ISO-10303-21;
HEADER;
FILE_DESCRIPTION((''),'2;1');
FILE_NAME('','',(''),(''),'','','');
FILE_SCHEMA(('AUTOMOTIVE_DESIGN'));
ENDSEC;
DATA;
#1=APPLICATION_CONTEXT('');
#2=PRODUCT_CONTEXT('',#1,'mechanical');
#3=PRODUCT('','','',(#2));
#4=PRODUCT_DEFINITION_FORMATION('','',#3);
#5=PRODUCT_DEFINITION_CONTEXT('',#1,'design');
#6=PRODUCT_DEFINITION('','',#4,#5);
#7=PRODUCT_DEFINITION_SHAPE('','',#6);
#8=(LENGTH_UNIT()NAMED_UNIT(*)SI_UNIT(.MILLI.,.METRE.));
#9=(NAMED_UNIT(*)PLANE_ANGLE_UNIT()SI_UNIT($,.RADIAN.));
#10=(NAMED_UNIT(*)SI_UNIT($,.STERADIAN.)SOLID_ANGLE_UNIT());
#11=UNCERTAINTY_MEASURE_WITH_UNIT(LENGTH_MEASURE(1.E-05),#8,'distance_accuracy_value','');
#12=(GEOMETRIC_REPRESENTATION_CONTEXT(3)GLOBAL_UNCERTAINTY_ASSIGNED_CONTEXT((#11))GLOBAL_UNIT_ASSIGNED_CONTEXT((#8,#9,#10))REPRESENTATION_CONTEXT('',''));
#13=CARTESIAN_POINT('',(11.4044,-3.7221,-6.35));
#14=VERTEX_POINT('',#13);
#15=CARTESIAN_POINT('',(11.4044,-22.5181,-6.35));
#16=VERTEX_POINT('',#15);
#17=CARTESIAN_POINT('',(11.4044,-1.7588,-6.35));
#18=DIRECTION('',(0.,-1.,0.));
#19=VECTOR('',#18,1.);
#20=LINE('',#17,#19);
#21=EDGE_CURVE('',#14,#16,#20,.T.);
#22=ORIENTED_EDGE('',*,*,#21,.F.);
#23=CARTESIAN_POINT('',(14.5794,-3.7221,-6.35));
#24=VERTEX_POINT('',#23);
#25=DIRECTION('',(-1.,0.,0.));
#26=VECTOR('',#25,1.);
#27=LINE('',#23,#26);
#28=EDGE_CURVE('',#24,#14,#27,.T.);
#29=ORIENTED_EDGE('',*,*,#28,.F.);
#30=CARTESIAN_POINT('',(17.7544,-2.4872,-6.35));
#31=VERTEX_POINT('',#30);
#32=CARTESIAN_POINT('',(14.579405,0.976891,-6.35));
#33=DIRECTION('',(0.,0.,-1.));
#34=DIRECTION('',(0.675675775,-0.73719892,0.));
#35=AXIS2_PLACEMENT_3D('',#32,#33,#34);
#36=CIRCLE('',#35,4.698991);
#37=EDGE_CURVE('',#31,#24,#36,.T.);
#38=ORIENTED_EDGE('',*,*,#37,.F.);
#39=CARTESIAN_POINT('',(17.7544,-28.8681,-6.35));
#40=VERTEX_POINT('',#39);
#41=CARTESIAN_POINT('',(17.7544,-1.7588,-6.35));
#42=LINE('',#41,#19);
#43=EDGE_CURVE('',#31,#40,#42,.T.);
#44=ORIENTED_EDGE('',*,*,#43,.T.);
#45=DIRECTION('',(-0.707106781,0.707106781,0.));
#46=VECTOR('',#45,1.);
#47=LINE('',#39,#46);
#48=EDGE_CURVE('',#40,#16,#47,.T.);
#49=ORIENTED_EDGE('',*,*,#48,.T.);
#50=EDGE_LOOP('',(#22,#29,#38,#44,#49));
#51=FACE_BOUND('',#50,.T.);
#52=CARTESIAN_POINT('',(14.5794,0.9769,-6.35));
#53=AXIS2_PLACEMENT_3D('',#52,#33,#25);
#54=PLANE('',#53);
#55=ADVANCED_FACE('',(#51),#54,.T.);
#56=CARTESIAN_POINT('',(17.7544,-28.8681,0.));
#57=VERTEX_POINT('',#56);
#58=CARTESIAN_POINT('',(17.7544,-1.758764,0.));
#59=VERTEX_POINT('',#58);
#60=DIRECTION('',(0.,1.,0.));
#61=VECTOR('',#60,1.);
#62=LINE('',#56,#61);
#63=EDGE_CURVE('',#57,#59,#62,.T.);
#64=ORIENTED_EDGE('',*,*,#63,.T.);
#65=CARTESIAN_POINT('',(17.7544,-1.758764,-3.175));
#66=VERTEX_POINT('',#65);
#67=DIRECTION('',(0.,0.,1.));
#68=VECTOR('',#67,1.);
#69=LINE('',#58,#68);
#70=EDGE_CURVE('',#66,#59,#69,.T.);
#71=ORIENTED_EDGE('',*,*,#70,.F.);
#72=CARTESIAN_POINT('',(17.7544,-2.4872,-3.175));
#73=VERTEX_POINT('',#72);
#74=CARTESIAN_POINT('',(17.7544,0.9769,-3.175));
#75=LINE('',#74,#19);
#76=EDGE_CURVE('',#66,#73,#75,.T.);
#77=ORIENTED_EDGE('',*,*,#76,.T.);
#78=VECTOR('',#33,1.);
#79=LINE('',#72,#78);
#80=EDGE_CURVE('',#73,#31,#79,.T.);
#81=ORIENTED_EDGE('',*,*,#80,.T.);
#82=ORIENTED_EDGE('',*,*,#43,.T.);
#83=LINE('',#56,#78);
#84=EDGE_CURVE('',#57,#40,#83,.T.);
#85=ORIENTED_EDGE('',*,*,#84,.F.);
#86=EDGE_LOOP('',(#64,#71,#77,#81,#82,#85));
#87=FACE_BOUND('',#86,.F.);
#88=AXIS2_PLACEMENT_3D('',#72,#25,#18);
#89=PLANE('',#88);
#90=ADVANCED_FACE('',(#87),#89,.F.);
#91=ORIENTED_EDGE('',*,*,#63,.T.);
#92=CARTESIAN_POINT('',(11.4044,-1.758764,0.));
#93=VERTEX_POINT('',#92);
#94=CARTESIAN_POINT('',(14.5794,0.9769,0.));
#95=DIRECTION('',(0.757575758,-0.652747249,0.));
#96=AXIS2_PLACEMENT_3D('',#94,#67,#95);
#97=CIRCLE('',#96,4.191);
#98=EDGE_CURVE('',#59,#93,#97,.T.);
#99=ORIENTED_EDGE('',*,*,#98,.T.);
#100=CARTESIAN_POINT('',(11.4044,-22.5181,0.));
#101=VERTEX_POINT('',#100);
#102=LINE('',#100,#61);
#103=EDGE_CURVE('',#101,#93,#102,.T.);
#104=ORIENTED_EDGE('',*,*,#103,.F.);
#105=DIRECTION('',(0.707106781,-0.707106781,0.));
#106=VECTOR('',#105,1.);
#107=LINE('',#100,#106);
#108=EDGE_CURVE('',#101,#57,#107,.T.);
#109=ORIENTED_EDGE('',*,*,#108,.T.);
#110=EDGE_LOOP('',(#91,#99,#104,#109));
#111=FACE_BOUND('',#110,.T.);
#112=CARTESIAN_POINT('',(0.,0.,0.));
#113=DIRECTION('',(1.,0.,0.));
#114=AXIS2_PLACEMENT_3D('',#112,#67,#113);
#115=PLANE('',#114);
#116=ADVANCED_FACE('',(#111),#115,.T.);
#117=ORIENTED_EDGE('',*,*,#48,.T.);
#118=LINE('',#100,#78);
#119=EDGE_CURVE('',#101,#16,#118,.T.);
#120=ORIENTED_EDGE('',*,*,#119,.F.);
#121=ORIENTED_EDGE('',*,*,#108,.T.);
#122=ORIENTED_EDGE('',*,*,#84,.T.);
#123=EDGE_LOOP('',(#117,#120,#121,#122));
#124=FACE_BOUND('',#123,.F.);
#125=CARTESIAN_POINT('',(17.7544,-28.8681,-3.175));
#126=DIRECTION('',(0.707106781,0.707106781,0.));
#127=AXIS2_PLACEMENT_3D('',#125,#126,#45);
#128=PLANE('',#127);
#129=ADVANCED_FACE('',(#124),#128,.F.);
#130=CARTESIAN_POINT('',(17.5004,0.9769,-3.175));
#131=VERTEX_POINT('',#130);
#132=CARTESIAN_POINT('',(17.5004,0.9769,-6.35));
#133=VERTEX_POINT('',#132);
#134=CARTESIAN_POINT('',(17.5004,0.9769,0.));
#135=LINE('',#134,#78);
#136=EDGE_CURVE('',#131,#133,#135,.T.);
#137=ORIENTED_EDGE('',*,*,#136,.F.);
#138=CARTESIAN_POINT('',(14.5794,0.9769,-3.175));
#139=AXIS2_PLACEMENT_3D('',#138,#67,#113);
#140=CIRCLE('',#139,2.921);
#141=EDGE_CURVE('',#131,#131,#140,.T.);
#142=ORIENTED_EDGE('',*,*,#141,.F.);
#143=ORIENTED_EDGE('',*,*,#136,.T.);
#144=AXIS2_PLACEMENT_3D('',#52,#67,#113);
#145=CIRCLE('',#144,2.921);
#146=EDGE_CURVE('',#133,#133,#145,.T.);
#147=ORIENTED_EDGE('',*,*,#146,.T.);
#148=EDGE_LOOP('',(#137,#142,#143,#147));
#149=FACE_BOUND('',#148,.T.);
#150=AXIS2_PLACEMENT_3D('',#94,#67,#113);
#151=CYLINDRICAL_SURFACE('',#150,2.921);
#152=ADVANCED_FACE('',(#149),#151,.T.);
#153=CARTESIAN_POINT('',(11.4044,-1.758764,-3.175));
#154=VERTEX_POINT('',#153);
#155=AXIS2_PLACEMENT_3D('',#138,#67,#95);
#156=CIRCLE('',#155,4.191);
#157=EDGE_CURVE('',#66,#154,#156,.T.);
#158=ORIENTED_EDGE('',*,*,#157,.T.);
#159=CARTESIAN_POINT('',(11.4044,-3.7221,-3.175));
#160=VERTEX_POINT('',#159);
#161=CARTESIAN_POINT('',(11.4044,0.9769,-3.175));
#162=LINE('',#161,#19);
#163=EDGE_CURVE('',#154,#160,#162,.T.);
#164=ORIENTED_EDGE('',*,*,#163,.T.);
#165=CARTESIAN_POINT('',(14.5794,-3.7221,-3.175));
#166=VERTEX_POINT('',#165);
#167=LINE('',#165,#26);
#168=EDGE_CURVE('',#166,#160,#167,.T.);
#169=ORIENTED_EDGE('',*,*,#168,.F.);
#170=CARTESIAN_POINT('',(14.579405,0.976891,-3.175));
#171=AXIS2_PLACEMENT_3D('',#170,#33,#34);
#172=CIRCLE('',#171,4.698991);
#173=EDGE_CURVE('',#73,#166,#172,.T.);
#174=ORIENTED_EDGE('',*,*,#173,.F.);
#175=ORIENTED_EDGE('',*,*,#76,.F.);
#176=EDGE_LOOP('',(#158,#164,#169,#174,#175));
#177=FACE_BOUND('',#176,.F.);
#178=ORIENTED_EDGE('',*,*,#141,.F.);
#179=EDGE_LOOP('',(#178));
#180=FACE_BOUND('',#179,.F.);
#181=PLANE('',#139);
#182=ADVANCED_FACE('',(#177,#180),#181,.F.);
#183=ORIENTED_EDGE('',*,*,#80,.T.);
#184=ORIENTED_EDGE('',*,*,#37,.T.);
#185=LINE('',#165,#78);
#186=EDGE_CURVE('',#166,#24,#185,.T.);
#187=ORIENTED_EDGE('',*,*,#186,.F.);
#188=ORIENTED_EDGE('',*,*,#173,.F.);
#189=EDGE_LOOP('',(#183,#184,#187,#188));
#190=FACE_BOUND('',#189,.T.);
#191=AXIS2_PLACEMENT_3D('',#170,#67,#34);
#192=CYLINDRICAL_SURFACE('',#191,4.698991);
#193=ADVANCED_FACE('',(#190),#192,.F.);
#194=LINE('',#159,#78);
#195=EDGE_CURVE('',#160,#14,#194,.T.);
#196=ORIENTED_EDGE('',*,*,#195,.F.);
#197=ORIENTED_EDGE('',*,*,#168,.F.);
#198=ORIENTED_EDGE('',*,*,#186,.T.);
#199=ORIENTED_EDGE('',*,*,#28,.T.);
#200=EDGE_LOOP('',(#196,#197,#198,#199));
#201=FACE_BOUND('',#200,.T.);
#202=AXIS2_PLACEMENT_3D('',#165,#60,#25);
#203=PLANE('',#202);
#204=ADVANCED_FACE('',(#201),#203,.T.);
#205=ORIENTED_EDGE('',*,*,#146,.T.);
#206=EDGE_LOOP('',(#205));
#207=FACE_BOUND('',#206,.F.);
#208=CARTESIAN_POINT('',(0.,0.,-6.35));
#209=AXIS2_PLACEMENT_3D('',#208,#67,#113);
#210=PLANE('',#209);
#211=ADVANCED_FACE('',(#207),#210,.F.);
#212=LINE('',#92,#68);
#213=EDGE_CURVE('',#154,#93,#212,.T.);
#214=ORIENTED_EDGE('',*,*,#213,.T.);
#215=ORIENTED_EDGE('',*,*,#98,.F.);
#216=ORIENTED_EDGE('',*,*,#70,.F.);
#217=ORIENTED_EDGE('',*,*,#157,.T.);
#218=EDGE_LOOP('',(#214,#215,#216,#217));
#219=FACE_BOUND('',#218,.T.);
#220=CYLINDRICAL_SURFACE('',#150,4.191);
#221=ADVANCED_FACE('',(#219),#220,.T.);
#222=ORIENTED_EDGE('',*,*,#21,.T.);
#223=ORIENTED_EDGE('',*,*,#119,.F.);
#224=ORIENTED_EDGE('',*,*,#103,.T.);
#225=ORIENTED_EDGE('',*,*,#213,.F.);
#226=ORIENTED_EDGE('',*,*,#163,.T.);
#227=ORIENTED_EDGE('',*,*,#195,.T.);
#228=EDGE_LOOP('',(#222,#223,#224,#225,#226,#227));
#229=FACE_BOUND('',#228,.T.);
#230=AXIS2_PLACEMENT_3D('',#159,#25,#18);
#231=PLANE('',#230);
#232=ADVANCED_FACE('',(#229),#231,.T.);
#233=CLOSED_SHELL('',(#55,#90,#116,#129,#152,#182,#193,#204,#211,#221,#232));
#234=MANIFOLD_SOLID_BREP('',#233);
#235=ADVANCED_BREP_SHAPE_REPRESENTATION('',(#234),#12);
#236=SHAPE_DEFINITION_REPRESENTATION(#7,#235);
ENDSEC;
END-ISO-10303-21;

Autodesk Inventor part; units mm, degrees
ref_plane "YZ Plane" through (0, 0, 0) normal (1, 0, 0) x (0, 1, 0)
ref_plane "XZ Plane" through (0, 0, 0) normal (0, 1, 0) x (-1, 0, 0)
ref_plane "XY Plane" through (0, 0, 0) normal (0, 0, 1) x (1, 0, 0)
sketch "Sketch3" plane through (0, 0, 0) normal (0, 0, 1) x (1, 0, 0)
  circle A0 centre (14.5794, 0.9769) radius 3.175 projected
  arc A1 (14.5794, -3.4681) -> (19.0244, 0.9769) centre (14.5794, 0.9769) ccw projected
  line L0 (19.0244, 5.4219) -> (19.0244, 0.9769) projected
  line L1 (14.5794, 5.4219) -> (19.0244, 5.4219) projected
  arc A2 (14.5794, 5.4219) -> (10.1344, 0.9769) centre (14.5794, 0.9769) ccw projected
  line L2 (10.1344, -3.4681) -> (10.1344, 0.9769) projected
  line L3 (14.5794, -3.4681) -> (10.1344, -3.4681) projected
  circle A3 centre (14.5794, 0.9769) radius 2.921
  point P0 (0, 0)
  dimension "d3" = 5.842
extrude "Extrusion2" add sketch "Sketch3" against normal blind 6.35 contours A3
sketch "Sketch4" plane through (14.5794, 0.9769, 0) normal (0, 0, 1) x (1, 0, 0)
  circle A0 centre (0, 0) radius 4.191
  circle A1 centre (0, 0) radius 3.175 projected
  arc A2 (0, -4.445) -> (4.445, 0) centre (0, 0) ccw projected
  line L0 (4.445, 4.445) -> (4.445, 0) projected
  line L1 (0, 4.445) -> (4.445, 4.445) projected
  arc A3 (0, 4.445) -> (-4.445, 0) centre (0, 0) ccw projected
  line L2 (-4.445, -4.445) -> (-4.445, 0) projected
  line L3 (0, -4.445) -> (-4.445, -4.445) projected
  circle A4 centre (0, 0) radius 2.921 projected
  point P0 (-14.5794, -0.9769)
  dimension "d6" = 8.382
extrude "Extrusion3" add sketch "Sketch4" against normal blind 3.175 contours A0 | A1 | A4
sketch "Sketch5" plane through (14.5794, 0.9769, 0) normal (0, 0, 1) x (1, 0, 0)
  circle A0 centre (0, 0) radius 4.191 projected
  line L0 (-3.175, -23.495) -> (-3.175, 0)
  line L1 (-3.175, -23.495) -> (3.175, -29.845)
  line L2 (3.175, -29.845) -> (3.175, 0)
  circle A1 centre (0, 0) radius 3.175
  line L3 (3.175, -29.845) -> (-3.175, -23.495) projected
  point P0 (-14.5794, -0.9769)
  dimension "d9" = 6.35
extrude "Extrusion4" add sketch "Sketch5" against normal blind 3.175 contours L0 A1 L2 A0 | A0 L2 L1 L0 picked at (0.1276, -3.8236)
sketch "Sketch6" plane through (14.5794, 0.9769, -3.175) normal (0, 0, -1) x (-1, 0, 0)
  arc A0 (-4.445, 0) -> (0, -4.445) centre (0, 0) ccw projected
  line L0 (0, -4.445) -> (23.405, -4.445) projected
  line L1 (-3.175, -2.7357) -> (-3.175, -29.845) projected
  line L2 (3.175, -2.7357) -> (3.175, -23.495) projected
  line L3 (-3.175, -29.845) -> (3.175, -23.495)
  line L4 (3.175, -23.495) -> (3.175, -4.699)
  line L5 (-3.175, -3.4641) -> (-3.175, -29.845)
  arc A1 (0, -4.699) -> (-3.175, -3.4641) centre (0, 0) ccw construction
  line L6 (0, -4.699) -> (3.175, -4.699)
  arc A2 (-3.175, -3.4641) -> (0, -4.699) centre (0, 0) ccw
  point P0 (14.5794, -0.9769)
  dimension "d12" = 9.398
extrude "Extrusion5" add sketch "Sketch6" along normal blind 3.175 contours A2 L6 L2 L3 L1
properties part number "Latch"
